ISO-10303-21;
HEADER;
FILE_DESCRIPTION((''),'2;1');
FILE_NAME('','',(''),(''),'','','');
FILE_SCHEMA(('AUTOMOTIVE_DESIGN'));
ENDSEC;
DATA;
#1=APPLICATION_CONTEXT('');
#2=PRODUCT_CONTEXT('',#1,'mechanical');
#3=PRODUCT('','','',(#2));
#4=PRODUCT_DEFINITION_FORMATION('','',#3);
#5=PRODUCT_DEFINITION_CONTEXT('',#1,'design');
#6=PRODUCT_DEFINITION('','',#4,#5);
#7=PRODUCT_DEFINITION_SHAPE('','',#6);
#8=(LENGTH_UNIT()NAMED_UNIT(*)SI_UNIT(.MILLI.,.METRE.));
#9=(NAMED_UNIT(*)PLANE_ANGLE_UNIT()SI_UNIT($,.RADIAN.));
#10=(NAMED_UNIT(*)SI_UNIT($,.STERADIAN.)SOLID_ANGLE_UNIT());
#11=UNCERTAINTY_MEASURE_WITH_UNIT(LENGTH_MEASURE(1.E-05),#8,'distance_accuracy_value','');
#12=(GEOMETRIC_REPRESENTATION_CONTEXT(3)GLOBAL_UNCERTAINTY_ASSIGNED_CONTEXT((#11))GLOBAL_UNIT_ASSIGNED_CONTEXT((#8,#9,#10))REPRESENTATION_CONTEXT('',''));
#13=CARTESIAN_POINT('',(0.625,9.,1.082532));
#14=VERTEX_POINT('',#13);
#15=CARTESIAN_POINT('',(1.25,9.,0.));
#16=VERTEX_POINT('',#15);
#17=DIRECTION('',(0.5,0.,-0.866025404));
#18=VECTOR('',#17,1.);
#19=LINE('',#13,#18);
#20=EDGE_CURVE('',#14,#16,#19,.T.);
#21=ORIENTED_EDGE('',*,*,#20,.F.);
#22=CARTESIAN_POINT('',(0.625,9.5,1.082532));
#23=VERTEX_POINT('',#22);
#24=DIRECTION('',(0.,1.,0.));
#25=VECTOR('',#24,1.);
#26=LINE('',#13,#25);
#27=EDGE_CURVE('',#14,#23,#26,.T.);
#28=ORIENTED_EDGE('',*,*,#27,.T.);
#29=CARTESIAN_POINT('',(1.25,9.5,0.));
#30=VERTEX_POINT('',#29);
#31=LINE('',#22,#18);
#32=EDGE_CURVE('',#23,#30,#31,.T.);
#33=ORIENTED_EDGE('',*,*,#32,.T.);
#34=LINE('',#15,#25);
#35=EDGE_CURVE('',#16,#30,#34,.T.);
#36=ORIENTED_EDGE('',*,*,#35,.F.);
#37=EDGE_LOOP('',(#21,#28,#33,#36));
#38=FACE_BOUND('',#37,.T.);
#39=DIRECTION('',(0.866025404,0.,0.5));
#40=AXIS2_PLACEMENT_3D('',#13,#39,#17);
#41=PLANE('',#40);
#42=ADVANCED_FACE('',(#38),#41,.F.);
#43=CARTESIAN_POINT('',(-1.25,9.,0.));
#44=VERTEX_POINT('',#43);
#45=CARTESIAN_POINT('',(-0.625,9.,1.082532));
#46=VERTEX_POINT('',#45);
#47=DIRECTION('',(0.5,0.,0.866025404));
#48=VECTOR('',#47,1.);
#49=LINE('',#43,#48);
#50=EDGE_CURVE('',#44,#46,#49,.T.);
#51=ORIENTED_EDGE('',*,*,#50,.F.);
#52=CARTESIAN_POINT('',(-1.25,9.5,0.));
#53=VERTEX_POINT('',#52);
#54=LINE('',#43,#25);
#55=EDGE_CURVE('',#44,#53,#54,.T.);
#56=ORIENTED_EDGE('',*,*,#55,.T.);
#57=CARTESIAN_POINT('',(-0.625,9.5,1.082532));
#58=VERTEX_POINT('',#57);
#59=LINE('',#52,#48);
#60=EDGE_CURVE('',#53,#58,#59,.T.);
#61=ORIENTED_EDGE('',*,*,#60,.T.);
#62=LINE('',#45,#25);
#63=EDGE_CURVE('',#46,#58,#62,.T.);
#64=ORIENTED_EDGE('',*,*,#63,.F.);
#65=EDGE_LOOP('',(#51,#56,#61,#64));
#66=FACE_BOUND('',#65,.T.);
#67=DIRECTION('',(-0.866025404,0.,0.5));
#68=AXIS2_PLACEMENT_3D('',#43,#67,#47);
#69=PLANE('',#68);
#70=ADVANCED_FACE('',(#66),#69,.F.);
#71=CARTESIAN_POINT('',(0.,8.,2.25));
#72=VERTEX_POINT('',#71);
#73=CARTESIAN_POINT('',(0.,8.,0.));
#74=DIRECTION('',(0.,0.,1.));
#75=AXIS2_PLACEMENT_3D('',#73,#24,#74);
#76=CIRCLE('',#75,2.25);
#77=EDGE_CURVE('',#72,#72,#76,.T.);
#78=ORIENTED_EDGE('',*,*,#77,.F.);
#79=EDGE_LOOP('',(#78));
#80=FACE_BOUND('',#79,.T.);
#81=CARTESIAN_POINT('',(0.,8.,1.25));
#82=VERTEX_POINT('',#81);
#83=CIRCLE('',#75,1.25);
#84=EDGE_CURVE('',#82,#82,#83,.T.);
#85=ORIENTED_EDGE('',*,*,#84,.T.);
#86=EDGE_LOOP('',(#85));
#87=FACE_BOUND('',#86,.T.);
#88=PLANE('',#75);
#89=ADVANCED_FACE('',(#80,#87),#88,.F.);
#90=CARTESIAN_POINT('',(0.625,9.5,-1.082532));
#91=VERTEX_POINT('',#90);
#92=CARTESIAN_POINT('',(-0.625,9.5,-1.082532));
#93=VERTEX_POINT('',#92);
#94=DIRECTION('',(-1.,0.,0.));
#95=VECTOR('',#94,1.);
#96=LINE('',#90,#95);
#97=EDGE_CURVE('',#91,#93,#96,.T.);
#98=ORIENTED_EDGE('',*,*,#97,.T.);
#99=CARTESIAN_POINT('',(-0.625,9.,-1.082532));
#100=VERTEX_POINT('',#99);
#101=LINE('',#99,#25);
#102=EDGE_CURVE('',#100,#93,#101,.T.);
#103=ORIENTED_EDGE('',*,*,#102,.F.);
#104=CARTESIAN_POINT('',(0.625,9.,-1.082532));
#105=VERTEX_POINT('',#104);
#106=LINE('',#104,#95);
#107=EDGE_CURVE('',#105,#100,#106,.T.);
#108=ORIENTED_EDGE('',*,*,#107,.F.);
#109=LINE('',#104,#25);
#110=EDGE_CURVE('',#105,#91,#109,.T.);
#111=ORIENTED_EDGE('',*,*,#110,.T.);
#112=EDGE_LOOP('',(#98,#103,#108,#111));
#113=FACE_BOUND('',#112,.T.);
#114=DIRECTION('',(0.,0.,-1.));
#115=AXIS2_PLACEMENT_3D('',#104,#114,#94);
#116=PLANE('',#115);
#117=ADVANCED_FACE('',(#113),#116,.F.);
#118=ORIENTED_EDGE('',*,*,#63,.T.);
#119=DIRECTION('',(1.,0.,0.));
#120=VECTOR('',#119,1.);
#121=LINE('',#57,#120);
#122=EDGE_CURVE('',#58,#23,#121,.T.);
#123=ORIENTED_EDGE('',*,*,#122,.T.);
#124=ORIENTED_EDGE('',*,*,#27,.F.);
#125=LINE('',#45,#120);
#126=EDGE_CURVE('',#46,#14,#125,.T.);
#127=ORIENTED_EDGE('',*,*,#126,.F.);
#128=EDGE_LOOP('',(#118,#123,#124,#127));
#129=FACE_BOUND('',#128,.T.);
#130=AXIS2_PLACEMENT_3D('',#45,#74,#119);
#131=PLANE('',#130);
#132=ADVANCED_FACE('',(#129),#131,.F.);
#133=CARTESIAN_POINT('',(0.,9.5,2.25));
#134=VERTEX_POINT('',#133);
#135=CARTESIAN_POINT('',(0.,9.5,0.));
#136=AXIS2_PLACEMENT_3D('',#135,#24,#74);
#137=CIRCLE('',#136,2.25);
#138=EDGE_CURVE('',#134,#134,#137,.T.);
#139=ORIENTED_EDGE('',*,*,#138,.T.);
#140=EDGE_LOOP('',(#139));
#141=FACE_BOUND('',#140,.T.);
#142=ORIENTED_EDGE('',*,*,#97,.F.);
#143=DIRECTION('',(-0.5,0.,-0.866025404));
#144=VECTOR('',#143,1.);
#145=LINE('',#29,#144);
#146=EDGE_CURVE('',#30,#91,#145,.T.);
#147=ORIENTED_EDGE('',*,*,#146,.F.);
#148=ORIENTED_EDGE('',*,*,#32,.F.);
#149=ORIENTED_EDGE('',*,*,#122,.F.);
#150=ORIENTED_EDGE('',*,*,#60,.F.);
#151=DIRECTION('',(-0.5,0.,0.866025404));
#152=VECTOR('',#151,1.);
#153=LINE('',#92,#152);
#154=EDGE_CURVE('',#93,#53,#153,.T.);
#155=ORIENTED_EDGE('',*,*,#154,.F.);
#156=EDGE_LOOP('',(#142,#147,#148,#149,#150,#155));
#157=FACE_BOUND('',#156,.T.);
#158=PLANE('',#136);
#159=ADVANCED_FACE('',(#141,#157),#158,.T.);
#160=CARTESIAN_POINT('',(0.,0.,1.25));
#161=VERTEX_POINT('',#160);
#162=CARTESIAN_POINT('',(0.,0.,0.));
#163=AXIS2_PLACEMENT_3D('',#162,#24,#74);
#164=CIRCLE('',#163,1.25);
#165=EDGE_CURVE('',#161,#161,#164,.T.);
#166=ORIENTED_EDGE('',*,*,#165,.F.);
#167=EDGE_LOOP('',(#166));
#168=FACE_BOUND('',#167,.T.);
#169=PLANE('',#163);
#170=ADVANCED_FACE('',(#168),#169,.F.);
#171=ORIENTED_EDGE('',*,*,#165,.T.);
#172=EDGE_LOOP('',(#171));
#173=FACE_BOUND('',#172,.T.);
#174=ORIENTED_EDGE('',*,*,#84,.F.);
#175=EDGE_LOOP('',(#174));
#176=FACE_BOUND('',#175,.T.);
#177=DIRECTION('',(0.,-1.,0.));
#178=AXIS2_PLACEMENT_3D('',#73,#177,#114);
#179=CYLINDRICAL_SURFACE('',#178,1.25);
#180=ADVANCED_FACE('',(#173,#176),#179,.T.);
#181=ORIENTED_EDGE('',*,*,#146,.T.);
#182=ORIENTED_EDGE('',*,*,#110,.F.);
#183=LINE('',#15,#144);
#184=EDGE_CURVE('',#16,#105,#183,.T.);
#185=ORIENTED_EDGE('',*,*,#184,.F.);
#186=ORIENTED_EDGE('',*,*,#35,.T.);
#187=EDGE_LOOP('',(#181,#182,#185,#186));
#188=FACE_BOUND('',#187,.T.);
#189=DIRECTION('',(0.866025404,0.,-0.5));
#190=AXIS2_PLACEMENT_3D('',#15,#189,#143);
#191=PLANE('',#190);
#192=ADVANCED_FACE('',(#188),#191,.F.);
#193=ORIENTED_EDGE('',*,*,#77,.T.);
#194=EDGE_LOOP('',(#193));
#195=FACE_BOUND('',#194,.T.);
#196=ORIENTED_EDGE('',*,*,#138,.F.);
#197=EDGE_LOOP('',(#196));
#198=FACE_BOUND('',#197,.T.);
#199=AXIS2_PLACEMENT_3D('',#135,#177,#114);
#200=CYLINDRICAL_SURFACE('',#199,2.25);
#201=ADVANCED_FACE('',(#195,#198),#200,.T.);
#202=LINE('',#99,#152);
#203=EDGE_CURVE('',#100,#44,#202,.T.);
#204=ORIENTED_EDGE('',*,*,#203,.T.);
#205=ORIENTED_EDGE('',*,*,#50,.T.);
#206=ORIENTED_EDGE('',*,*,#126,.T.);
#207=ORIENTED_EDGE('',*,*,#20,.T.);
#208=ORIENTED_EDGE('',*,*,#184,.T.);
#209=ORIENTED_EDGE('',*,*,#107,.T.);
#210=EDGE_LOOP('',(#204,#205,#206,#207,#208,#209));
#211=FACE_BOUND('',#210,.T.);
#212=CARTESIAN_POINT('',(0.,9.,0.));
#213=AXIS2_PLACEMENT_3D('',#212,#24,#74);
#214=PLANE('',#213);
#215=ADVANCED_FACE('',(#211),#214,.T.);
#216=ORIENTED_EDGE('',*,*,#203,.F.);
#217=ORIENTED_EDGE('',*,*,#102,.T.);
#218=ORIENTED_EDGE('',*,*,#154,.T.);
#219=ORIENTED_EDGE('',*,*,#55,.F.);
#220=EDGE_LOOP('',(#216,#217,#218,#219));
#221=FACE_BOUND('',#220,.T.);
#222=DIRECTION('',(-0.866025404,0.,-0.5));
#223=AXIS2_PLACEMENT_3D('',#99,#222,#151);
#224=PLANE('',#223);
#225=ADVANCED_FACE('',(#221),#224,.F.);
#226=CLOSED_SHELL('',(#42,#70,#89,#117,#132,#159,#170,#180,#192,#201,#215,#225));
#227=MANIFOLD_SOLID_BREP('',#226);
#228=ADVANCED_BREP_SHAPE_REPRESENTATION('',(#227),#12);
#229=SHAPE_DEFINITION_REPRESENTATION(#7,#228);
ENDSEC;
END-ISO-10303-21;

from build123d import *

# Parameters (mm, degrees)
SKETCH1_R           = 1.25
BOSS_EXTRUDE1_DEPTH = 8
SKETCH4_R           = 2.25
BOSS_EXTRUDE2_DEPTH = 1.5
CUT_EXTRUDE1_DEPTH  = 0.5


with BuildPart() as part:
    # Sketch1 → Boss-Extrude1 (new body)
    with BuildSketch(Plane(origin=(0, 0, 0), x_dir=(1, 0, 0), z_dir=(0, 1, 0))):
        Circle(SKETCH1_R)
    extrude(amount=BOSS_EXTRUDE1_DEPTH)

    # Sketch4 → Boss-Extrude2 (add)
    with BuildSketch(Plane(origin=(0, 8, 0), x_dir=(1, 0, 0), z_dir=(0, 1, 0))):
        Circle(SKETCH4_R)
    extrude(amount=BOSS_EXTRUDE2_DEPTH)

    # Sketch5 → Cut-Extrude1 (cut)
    with BuildSketch(Plane(origin=(0, 9.5, 0), x_dir=(1, 0, 0), z_dir=(0, 1, 0))):
        Polygon((1.25, 0), (0.625, 1.082531755), (-0.625, 1.082531755), (-1.25, 0), (-0.625, -1.082531755), (0.625, -1.082531755), align=None)
    extrude(amount=-CUT_EXTRUDE1_DEPTH, mode=Mode.SUBTRACT)


solid = part.part
